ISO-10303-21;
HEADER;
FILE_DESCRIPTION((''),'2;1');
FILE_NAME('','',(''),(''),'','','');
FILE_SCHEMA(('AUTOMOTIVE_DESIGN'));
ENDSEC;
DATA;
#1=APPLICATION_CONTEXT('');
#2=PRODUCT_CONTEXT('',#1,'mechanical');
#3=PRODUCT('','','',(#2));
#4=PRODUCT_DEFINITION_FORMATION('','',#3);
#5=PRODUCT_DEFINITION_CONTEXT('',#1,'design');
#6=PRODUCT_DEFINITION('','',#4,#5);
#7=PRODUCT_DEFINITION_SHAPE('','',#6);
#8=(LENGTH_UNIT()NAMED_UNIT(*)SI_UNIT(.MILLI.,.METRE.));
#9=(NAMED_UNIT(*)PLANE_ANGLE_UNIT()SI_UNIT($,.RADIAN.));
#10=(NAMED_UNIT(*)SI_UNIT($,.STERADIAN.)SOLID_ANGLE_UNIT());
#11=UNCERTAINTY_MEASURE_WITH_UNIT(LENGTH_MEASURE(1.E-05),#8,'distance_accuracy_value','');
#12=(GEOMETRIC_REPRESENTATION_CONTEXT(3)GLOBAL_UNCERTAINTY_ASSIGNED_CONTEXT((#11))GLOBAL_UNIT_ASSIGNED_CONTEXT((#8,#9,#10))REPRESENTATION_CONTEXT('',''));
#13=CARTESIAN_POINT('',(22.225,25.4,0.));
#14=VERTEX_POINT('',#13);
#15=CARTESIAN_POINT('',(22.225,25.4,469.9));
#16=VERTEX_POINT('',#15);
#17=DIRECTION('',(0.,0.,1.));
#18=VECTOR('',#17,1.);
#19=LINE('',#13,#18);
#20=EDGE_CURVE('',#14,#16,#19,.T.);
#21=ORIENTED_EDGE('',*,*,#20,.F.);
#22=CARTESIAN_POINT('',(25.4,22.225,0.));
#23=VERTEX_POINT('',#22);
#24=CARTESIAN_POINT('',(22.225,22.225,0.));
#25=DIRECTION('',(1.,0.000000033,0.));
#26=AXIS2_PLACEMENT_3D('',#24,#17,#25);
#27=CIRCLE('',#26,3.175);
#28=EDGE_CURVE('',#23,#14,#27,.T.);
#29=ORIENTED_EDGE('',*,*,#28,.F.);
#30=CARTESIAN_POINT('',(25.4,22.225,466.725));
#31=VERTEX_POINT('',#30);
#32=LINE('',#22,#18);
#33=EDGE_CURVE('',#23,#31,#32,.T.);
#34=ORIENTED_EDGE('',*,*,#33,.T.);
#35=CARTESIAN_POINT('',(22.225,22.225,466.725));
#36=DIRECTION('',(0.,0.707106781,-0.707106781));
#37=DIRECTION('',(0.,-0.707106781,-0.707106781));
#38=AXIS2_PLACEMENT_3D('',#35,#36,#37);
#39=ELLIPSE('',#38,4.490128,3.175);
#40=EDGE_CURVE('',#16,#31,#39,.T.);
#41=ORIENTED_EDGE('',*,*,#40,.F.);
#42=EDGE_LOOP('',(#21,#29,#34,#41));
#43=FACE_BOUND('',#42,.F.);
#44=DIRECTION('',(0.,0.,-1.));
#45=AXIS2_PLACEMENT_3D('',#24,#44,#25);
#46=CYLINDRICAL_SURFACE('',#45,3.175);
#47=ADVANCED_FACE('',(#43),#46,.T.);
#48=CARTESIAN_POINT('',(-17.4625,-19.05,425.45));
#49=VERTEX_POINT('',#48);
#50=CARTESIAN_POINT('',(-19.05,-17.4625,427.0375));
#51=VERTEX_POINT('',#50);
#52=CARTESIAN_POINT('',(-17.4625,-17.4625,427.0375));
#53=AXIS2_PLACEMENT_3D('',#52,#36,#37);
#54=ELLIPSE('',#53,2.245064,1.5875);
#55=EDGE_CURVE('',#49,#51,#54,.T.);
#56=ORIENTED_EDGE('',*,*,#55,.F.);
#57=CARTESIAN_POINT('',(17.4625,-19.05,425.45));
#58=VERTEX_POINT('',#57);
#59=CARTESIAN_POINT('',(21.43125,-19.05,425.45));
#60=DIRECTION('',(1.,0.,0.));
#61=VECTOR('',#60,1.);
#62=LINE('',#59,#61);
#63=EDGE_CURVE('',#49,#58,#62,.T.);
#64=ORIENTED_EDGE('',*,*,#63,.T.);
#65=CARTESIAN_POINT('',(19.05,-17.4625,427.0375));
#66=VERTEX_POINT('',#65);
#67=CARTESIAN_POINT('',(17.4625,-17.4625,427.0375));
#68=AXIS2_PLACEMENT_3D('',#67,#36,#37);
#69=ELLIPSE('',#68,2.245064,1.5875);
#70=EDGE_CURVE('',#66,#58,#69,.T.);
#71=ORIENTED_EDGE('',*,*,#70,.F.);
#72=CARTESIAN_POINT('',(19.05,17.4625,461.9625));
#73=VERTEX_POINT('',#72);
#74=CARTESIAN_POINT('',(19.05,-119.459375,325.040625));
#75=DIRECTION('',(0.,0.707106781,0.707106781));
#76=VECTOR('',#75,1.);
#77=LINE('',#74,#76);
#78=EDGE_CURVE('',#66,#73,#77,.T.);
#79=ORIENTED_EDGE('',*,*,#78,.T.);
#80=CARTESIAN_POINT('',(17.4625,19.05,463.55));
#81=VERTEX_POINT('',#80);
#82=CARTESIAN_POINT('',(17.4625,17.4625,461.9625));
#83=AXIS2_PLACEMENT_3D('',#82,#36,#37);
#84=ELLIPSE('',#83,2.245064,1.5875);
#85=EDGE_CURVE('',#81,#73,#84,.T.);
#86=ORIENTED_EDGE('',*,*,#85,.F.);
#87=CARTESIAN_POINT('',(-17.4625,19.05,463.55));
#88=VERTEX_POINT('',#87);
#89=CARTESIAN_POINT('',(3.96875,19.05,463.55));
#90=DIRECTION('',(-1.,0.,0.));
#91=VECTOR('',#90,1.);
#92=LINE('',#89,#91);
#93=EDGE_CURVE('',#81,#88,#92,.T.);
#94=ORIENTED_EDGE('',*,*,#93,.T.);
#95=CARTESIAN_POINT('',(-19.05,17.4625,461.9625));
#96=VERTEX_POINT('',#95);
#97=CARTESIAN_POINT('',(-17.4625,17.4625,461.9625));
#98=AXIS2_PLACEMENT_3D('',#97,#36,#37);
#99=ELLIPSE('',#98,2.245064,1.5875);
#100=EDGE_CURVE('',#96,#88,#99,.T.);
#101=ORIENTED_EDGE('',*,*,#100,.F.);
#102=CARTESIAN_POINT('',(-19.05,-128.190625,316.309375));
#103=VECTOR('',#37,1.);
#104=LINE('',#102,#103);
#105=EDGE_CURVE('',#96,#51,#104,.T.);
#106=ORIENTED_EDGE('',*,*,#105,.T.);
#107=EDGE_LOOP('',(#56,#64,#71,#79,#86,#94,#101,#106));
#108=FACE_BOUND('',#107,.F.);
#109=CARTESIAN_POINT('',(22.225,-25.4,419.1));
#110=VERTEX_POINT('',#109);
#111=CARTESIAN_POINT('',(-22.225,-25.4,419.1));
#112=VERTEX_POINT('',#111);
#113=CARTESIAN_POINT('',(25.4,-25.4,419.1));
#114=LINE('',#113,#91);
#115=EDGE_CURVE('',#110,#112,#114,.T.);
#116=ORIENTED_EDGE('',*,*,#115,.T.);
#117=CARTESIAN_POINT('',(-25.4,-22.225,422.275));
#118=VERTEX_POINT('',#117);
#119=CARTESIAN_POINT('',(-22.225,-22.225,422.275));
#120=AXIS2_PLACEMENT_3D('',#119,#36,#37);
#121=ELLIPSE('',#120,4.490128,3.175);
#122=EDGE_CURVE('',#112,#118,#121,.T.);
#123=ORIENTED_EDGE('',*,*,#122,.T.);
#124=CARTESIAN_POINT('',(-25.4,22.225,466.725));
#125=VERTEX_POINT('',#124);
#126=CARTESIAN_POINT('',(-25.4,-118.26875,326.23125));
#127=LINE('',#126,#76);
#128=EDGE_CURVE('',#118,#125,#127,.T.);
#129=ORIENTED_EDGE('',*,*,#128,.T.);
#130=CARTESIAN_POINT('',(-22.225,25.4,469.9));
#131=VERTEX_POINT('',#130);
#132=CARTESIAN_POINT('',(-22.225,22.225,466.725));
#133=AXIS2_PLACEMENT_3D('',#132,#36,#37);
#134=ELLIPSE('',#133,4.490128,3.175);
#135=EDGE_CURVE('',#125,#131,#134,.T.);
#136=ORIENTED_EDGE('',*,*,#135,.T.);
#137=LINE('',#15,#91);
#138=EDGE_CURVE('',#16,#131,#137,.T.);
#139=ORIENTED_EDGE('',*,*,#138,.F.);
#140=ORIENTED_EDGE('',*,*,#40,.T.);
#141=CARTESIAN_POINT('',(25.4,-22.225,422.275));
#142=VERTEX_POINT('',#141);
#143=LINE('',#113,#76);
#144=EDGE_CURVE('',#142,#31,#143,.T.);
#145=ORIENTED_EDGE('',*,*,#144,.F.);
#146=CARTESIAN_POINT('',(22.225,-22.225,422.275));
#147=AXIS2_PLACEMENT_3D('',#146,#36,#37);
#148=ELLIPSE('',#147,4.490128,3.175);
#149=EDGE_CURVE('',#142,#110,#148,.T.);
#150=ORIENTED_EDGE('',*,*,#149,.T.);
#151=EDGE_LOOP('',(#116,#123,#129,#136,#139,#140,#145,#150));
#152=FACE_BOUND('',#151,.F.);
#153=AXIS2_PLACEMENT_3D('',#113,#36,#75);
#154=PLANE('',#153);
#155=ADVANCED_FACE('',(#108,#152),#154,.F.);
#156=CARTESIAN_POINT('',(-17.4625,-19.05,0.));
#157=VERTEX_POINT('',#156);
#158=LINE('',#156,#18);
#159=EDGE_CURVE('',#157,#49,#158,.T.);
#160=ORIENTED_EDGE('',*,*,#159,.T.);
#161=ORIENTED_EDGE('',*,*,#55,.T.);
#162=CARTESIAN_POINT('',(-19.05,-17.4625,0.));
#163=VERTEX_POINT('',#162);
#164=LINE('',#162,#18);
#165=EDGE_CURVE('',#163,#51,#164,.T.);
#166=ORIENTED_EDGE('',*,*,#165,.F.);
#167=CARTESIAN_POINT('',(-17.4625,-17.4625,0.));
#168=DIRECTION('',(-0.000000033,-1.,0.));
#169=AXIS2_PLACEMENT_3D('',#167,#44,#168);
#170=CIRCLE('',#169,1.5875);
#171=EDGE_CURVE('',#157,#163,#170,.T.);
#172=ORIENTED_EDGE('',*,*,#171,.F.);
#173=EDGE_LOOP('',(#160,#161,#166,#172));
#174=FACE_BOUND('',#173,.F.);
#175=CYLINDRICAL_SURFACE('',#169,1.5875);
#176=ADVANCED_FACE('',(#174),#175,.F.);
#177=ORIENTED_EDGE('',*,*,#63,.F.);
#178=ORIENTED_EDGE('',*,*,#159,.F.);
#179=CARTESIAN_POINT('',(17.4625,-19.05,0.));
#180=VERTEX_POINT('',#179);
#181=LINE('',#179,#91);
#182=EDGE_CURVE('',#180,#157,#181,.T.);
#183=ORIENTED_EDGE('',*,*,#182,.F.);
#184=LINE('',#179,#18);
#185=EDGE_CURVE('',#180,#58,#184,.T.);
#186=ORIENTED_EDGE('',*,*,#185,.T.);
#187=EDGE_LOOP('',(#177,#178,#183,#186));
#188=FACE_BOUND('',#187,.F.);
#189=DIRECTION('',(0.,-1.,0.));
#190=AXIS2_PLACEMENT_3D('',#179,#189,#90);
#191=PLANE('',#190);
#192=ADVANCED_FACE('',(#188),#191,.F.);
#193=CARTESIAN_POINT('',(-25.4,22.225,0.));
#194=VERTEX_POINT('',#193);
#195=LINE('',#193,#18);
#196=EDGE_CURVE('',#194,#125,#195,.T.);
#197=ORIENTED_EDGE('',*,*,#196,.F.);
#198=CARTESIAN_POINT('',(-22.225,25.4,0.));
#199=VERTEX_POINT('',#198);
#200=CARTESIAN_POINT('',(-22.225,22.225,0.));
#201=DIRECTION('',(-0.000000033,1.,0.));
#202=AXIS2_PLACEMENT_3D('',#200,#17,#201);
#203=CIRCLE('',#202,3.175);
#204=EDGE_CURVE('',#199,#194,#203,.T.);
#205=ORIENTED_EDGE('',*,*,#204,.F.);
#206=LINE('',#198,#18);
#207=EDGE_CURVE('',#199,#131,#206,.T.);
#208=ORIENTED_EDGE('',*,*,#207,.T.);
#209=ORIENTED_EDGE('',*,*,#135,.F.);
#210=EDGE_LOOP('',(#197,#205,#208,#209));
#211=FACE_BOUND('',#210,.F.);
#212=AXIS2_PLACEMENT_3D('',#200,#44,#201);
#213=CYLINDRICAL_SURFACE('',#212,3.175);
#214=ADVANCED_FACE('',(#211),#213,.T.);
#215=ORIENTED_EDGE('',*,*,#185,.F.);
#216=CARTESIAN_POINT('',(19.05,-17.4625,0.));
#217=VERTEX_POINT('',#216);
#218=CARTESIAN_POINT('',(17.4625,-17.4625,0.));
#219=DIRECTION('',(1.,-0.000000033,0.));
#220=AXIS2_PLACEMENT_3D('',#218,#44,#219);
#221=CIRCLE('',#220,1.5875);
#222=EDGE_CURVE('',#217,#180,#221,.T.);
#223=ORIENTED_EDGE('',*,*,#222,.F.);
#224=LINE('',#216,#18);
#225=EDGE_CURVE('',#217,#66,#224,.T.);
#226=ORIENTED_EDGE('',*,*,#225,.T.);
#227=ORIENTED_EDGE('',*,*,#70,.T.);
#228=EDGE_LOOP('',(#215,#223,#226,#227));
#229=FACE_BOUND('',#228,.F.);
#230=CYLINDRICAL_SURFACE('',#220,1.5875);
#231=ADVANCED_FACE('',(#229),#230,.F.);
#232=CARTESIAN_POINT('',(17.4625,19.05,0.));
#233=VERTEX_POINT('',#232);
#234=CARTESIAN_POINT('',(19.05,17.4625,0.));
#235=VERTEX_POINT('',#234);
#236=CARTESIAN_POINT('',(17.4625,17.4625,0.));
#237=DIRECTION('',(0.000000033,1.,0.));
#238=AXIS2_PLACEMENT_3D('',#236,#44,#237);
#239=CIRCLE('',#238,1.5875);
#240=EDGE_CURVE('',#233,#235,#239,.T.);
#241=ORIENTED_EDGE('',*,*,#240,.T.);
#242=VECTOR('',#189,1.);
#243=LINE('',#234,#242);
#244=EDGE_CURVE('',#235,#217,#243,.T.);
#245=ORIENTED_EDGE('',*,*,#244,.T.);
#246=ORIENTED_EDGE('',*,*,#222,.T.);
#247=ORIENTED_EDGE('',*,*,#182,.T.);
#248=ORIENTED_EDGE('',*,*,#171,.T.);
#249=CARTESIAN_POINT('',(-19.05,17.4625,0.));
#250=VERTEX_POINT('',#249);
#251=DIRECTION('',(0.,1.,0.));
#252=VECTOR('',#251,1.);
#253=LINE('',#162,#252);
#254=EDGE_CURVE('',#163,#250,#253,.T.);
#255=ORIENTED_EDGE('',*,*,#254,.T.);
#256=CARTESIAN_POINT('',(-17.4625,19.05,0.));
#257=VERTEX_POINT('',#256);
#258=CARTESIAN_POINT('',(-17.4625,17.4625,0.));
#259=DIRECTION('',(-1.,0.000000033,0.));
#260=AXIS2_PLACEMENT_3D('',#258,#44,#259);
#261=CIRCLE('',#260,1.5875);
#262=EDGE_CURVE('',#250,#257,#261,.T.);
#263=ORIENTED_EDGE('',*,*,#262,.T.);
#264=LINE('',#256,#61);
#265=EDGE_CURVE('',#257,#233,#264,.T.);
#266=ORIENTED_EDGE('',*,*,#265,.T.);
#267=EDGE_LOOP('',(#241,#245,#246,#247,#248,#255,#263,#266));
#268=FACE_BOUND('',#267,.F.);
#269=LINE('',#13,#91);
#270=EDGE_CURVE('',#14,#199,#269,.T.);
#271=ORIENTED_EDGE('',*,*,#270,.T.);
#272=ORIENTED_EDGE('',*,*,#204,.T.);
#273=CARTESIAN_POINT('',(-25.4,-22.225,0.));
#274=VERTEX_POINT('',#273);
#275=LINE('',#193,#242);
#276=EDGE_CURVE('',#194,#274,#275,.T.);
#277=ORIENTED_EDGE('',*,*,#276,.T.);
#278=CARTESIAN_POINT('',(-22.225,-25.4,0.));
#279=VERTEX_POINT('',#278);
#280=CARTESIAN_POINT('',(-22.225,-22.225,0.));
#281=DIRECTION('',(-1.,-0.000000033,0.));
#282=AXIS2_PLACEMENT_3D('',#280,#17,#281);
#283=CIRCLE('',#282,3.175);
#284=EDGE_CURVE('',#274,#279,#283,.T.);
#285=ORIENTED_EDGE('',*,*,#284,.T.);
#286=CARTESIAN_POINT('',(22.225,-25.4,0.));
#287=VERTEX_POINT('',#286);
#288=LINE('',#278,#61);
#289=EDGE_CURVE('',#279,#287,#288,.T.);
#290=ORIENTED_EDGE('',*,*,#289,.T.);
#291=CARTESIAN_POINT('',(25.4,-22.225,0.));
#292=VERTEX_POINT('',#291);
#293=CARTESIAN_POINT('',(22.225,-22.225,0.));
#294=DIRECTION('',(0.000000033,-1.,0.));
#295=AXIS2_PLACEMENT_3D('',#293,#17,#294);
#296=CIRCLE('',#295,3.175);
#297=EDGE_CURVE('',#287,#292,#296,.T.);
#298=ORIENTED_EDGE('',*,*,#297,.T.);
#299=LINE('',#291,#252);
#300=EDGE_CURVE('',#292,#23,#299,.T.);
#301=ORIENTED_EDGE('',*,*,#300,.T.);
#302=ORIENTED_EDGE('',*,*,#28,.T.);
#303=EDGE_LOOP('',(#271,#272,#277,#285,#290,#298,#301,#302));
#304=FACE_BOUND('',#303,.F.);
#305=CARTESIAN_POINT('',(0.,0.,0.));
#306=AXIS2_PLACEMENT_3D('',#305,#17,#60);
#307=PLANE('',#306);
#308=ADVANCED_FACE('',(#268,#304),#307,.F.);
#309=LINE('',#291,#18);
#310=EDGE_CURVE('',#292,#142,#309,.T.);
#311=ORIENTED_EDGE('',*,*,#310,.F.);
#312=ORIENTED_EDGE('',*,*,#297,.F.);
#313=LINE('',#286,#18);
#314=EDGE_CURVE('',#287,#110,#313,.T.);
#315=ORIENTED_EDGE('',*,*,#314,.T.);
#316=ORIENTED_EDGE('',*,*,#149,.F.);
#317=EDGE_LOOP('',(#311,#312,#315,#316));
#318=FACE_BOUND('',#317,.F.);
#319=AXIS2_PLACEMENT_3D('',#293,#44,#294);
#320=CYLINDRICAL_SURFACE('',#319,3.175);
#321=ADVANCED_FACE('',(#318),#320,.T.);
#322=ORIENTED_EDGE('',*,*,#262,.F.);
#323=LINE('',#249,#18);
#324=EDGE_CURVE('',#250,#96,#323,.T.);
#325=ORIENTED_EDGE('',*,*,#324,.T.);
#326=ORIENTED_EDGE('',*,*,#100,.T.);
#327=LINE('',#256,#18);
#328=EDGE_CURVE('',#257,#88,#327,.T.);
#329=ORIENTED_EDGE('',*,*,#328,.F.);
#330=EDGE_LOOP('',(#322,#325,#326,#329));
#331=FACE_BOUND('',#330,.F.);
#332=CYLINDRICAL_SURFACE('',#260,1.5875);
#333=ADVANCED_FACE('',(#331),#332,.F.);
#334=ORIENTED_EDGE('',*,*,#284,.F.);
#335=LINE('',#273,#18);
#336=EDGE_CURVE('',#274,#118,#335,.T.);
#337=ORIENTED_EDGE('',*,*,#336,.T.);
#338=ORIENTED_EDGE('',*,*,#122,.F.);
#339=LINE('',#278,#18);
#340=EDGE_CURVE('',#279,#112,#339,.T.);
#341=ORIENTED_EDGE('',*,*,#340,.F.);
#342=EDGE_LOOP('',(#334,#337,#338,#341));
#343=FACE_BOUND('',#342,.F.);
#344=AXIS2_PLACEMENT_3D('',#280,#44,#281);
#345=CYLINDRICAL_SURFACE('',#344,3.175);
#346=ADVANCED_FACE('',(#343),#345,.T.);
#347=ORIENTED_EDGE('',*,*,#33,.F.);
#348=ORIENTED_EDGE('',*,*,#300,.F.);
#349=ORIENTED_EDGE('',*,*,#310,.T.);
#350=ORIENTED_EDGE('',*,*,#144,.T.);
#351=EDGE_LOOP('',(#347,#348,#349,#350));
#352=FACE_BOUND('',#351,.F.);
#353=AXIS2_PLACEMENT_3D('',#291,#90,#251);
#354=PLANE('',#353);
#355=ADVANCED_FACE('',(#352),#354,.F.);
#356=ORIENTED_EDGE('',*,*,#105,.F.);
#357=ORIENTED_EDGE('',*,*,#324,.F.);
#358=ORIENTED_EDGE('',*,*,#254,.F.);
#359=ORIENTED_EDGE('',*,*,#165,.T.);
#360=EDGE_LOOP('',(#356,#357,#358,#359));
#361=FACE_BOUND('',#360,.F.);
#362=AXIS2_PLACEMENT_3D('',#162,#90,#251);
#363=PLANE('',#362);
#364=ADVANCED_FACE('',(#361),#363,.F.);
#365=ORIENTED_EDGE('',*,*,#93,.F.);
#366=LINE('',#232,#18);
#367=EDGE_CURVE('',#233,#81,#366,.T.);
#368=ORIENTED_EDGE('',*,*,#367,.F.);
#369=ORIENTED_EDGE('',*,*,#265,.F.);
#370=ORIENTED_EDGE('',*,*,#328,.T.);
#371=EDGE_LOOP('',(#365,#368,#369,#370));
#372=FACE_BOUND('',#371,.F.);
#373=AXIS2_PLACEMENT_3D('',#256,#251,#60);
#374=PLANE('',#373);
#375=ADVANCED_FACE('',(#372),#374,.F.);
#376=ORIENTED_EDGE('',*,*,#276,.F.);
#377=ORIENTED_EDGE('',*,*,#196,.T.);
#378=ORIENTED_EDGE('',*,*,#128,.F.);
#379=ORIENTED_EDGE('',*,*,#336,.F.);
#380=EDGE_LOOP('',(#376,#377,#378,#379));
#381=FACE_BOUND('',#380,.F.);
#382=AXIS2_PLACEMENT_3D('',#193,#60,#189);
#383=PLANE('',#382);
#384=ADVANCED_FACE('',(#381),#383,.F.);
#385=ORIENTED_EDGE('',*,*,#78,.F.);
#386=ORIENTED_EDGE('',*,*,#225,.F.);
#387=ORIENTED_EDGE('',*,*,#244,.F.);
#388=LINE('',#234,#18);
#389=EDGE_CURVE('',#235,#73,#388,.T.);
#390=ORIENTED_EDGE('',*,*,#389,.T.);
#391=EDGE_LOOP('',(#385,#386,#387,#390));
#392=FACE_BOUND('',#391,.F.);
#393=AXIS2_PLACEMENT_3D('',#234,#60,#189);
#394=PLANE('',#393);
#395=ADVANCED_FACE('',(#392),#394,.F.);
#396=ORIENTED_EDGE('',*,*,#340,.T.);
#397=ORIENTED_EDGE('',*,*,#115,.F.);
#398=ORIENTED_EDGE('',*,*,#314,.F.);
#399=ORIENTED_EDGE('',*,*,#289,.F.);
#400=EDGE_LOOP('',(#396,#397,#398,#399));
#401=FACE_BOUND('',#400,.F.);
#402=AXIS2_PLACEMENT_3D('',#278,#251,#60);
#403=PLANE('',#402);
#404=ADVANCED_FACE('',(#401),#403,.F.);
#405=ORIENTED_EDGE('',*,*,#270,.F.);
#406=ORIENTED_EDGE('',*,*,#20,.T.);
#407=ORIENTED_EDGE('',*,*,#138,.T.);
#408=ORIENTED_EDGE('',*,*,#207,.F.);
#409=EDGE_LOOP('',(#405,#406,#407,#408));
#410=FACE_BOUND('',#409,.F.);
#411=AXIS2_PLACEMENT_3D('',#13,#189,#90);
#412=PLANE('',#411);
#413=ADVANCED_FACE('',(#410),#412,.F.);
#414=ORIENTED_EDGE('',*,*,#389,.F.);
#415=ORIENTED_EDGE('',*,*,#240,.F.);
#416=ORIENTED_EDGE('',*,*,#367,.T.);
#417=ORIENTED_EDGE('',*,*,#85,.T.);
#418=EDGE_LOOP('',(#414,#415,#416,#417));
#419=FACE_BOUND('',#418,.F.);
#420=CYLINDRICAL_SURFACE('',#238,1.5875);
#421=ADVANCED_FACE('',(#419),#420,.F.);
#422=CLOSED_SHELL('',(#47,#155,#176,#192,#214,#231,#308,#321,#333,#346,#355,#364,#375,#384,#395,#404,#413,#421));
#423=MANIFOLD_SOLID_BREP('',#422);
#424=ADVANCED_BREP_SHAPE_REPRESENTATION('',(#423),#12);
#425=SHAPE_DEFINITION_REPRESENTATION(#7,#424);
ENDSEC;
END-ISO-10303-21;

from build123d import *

# Parameters (mm, degrees)
F1_DEPTH = 469.9
F3_DEPTH = 50.801


with BuildPart() as f1:
    # F0 (on Top) → F1 (new body)
    with BuildSketch(Plane.XY):
        with BuildLine():
            Line((22.225, 25.4), (-22.225, 25.4))
            ThreePointArc((-22.225, 25.4), (-24.470064, 24.470064), (-25.4, 22.225))
            Line((-25.4, 22.225), (-25.4, -22.225))
            ThreePointArc((-25.4, -22.225), (-24.470064, -24.470064), (-22.225, -25.4))
            Line((-22.225, -25.4), (22.225, -25.4))
            ThreePointArc((22.225, -25.4), (24.470064, -24.470064), (25.4, -22.225))
            Line((25.4, -22.225), (25.4, 22.225))
            ThreePointArc((25.4, 22.225), (24.470064, 24.470064), (22.225, 25.4))
        make_face()
        with BuildLine():
            ThreePointArc((-19.05, 17.4625), (-18.585032, 18.585032), (-17.4625, 19.05))
            Line((-17.4625, 19.05), (17.4625, 19.05))
            ThreePointArc((17.4625, 19.05), (18.585032, 18.585032), (19.05, 17.4625))
            Line((19.05, 17.4625), (19.05, -17.4625))
            ThreePointArc((19.05, -17.4625), (18.585032, -18.585032), (17.4625, -19.05))
            Line((17.4625, -19.05), (-17.4625, -19.05))
            ThreePointArc((-17.4625, -19.05), (-18.585032, -18.585032), (-19.05, -17.4625))
            Line((-19.05, -17.4625), (-19.05, 17.4625))
        make_face(mode=Mode.SUBTRACT)
    extrude(amount=F1_DEPTH)

    # F2 (on face) → F3 (cut, through all)
    with BuildSketch(Plane.YZ.offset(25.4)):
        Polygon((-25.4, 419.1), (25.4, 469.9), (-25.4, 469.9), align=None)
    extrude(amount=-F3_DEPTH, mode=Mode.SUBTRACT)


solid = f1.part
